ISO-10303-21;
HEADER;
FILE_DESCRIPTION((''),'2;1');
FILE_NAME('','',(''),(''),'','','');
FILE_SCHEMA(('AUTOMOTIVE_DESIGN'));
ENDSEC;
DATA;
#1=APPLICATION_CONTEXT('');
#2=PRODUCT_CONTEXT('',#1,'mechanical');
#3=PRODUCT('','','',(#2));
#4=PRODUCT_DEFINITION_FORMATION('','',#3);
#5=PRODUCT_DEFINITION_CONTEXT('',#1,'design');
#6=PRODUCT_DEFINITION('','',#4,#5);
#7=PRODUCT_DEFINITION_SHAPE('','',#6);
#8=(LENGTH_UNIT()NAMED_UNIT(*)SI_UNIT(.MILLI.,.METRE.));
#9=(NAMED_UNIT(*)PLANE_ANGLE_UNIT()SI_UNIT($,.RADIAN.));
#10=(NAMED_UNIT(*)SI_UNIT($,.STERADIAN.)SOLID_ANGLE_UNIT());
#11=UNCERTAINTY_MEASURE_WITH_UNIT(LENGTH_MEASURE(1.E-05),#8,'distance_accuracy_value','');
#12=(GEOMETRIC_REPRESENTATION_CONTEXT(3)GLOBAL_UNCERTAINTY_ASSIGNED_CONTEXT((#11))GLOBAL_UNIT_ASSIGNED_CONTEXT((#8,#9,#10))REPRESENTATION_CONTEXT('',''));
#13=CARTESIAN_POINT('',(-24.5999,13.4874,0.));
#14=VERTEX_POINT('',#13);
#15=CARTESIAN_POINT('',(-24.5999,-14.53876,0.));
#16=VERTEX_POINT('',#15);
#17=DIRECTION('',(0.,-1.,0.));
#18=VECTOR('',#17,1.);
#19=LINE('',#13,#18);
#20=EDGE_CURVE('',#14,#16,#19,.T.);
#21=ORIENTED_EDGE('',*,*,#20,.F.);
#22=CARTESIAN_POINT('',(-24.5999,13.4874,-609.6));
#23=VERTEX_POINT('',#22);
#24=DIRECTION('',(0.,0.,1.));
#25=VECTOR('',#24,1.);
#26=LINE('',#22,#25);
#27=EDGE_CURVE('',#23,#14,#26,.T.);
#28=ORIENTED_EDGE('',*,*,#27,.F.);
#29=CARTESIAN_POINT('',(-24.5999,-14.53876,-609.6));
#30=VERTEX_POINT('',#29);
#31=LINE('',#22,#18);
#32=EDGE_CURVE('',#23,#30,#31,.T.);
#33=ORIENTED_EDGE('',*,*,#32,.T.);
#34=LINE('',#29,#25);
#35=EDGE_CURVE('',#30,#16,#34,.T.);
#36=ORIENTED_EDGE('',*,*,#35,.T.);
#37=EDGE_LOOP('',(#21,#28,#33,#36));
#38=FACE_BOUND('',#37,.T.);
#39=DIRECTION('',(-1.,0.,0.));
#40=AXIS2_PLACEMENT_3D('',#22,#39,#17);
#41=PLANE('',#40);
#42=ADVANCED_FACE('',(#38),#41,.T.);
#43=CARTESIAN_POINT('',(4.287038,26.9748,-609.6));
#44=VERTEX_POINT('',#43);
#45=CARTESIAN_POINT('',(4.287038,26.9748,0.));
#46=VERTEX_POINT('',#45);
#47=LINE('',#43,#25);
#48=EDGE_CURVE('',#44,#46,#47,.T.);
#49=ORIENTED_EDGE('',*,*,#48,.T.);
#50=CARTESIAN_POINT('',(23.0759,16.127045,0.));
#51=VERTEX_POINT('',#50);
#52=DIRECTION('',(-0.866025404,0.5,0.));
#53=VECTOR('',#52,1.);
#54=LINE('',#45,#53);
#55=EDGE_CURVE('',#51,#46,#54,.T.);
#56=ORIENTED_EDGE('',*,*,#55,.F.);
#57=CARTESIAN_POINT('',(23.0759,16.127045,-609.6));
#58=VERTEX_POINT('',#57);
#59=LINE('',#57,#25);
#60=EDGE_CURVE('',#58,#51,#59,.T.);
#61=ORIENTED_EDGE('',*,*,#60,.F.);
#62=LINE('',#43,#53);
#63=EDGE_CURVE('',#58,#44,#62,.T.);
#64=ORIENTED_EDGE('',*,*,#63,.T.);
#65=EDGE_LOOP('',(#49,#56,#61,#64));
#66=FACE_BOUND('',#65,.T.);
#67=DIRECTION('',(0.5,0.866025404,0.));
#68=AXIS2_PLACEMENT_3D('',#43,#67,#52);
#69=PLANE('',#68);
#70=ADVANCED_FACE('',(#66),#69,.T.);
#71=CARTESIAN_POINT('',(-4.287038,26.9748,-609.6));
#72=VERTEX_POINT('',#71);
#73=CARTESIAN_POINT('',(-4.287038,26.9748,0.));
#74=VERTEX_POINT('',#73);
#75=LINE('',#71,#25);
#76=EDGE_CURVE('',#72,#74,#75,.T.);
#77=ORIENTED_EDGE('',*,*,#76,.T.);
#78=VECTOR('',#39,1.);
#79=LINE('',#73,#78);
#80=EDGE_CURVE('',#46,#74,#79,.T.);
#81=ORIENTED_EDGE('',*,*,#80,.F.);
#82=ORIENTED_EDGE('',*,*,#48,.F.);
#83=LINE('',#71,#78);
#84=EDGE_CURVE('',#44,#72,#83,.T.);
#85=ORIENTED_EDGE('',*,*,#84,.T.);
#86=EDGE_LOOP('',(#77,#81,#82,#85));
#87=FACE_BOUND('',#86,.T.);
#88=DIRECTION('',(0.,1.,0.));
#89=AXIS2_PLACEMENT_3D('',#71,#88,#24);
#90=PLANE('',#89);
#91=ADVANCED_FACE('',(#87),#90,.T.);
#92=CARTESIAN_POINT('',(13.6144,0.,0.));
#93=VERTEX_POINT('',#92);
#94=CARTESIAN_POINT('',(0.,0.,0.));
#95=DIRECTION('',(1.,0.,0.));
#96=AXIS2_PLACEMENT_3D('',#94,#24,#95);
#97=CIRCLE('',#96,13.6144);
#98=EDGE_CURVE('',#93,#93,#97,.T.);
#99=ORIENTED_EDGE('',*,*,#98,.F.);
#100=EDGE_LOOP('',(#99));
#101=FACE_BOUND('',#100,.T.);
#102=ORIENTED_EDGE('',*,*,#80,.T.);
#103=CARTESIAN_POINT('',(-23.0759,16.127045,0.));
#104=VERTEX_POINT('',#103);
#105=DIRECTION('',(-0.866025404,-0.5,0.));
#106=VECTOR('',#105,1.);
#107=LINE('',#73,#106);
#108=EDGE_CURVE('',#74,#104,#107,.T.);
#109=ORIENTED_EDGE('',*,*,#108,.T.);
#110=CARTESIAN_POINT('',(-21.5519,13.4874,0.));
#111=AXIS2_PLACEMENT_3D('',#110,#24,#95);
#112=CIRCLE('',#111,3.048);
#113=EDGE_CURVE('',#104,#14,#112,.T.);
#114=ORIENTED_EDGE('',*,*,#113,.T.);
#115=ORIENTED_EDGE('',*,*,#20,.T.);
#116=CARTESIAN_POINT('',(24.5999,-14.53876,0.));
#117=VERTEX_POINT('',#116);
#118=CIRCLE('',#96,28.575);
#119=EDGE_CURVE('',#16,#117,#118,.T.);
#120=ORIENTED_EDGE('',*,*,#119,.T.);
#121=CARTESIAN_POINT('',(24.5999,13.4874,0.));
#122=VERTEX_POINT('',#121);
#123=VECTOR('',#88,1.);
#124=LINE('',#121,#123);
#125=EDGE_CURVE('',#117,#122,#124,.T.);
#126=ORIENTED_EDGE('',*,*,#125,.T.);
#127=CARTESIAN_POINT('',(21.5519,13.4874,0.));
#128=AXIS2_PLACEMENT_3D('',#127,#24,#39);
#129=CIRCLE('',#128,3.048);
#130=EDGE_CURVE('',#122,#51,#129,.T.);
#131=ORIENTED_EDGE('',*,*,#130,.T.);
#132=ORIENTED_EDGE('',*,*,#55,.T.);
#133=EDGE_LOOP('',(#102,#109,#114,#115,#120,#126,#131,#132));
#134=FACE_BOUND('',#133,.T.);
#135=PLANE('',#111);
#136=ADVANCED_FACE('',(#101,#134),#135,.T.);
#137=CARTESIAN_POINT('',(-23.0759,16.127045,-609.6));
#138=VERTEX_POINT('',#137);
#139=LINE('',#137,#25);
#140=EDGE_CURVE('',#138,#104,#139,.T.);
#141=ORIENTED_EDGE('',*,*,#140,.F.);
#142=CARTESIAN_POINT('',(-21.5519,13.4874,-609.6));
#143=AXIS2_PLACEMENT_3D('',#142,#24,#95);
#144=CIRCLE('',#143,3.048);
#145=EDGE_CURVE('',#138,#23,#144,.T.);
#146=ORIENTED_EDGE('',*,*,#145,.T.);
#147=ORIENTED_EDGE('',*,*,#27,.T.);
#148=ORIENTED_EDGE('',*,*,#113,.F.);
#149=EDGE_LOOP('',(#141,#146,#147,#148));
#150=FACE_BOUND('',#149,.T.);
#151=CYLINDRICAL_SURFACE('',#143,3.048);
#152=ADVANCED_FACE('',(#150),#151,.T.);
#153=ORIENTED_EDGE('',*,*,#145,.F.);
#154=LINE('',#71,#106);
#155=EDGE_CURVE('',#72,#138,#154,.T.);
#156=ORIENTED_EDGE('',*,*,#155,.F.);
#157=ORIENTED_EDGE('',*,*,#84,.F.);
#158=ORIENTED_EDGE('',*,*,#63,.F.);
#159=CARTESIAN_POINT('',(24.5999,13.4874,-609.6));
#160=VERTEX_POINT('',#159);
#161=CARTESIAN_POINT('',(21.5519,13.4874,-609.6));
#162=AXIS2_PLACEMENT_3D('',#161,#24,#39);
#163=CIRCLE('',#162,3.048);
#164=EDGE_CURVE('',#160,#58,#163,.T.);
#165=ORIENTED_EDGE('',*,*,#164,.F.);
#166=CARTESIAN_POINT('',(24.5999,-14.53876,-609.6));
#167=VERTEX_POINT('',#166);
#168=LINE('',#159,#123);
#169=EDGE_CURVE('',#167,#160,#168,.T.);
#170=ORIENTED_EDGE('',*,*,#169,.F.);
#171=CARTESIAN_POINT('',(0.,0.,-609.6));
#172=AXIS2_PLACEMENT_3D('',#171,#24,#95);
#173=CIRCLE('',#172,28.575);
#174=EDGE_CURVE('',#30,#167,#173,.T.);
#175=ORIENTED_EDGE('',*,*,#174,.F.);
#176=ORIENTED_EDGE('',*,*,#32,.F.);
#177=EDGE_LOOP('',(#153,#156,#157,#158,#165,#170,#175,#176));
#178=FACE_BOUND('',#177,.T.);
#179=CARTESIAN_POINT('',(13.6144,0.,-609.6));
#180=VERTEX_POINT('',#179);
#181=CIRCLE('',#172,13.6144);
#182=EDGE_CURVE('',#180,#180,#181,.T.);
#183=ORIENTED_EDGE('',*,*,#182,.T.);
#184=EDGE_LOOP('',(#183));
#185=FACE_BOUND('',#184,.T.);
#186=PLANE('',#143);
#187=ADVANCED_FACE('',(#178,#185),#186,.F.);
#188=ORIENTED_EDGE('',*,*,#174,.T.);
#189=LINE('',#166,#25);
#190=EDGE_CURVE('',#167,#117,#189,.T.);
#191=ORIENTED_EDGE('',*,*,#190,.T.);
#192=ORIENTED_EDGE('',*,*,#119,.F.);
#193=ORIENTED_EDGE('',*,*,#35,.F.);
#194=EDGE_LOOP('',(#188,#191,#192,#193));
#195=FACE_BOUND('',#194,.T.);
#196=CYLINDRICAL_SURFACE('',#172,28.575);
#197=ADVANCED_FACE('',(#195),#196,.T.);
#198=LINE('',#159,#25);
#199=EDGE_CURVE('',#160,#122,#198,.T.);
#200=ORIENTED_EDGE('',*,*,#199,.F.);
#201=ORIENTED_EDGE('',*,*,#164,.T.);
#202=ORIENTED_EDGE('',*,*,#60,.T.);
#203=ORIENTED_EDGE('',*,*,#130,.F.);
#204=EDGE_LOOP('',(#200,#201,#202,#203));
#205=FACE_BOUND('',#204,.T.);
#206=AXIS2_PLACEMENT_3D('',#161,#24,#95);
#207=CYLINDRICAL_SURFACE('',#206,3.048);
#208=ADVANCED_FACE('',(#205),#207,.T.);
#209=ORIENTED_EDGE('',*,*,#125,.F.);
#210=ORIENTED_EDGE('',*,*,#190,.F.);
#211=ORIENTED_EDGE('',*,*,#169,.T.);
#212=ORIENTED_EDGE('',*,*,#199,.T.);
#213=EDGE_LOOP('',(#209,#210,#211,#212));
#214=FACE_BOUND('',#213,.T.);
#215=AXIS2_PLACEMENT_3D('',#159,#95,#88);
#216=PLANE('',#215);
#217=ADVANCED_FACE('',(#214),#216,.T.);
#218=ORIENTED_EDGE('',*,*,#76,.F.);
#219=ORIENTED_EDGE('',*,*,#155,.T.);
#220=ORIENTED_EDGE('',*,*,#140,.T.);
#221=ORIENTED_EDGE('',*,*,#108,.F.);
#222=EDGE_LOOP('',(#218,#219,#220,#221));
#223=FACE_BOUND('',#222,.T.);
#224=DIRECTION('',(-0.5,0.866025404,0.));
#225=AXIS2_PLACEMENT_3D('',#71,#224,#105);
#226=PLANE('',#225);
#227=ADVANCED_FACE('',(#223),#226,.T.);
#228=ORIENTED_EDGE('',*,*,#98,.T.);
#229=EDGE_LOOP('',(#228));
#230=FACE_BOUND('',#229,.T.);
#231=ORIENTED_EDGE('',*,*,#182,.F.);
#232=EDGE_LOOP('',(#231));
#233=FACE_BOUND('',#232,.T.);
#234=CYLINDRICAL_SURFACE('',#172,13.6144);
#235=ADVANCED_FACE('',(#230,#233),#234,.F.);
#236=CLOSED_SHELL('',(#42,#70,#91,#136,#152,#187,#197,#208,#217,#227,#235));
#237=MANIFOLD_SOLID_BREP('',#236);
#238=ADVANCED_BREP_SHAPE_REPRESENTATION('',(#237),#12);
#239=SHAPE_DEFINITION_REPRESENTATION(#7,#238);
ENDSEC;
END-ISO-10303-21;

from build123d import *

# Parameters (mm, degrees)
SKETCH1_R      = 13.6144
EXTRUDE1_DEPTH = 609.6


with BuildPart() as part:
    # Sketch1 → Extrude1 (new body)
    with BuildSketch(Plane.XY):
        with BuildLine():
            Line((-4.287037938, 26.9748), (4.287037938, 26.9748))
            Line((4.287037938, 26.9748), (23.0759, 16.127045431))
            ThreePointArc((23.0759, 16.127045431), (24.191545431, 15.0114), (24.5999, 13.4874))
            Line((24.5999, 13.4874), (24.5999, -14.538760091))
            ThreePointArc((24.5999, -14.538760091), (0, -28.575), (-24.5999, -14.538760091))
            Line((-24.5999, -14.538760091), (-24.5999, 13.4874))
            ThreePointArc((-24.5999, 13.4874), (-24.191545431, 15.0114), (-23.0759, 16.127045431))
            Line((-23.0759, 16.127045431), (-4.287037938, 26.9748))
        make_face()
        Circle(SKETCH1_R, mode=Mode.SUBTRACT)
    extrude(amount=-EXTRUDE1_DEPTH)


solid = part.part
